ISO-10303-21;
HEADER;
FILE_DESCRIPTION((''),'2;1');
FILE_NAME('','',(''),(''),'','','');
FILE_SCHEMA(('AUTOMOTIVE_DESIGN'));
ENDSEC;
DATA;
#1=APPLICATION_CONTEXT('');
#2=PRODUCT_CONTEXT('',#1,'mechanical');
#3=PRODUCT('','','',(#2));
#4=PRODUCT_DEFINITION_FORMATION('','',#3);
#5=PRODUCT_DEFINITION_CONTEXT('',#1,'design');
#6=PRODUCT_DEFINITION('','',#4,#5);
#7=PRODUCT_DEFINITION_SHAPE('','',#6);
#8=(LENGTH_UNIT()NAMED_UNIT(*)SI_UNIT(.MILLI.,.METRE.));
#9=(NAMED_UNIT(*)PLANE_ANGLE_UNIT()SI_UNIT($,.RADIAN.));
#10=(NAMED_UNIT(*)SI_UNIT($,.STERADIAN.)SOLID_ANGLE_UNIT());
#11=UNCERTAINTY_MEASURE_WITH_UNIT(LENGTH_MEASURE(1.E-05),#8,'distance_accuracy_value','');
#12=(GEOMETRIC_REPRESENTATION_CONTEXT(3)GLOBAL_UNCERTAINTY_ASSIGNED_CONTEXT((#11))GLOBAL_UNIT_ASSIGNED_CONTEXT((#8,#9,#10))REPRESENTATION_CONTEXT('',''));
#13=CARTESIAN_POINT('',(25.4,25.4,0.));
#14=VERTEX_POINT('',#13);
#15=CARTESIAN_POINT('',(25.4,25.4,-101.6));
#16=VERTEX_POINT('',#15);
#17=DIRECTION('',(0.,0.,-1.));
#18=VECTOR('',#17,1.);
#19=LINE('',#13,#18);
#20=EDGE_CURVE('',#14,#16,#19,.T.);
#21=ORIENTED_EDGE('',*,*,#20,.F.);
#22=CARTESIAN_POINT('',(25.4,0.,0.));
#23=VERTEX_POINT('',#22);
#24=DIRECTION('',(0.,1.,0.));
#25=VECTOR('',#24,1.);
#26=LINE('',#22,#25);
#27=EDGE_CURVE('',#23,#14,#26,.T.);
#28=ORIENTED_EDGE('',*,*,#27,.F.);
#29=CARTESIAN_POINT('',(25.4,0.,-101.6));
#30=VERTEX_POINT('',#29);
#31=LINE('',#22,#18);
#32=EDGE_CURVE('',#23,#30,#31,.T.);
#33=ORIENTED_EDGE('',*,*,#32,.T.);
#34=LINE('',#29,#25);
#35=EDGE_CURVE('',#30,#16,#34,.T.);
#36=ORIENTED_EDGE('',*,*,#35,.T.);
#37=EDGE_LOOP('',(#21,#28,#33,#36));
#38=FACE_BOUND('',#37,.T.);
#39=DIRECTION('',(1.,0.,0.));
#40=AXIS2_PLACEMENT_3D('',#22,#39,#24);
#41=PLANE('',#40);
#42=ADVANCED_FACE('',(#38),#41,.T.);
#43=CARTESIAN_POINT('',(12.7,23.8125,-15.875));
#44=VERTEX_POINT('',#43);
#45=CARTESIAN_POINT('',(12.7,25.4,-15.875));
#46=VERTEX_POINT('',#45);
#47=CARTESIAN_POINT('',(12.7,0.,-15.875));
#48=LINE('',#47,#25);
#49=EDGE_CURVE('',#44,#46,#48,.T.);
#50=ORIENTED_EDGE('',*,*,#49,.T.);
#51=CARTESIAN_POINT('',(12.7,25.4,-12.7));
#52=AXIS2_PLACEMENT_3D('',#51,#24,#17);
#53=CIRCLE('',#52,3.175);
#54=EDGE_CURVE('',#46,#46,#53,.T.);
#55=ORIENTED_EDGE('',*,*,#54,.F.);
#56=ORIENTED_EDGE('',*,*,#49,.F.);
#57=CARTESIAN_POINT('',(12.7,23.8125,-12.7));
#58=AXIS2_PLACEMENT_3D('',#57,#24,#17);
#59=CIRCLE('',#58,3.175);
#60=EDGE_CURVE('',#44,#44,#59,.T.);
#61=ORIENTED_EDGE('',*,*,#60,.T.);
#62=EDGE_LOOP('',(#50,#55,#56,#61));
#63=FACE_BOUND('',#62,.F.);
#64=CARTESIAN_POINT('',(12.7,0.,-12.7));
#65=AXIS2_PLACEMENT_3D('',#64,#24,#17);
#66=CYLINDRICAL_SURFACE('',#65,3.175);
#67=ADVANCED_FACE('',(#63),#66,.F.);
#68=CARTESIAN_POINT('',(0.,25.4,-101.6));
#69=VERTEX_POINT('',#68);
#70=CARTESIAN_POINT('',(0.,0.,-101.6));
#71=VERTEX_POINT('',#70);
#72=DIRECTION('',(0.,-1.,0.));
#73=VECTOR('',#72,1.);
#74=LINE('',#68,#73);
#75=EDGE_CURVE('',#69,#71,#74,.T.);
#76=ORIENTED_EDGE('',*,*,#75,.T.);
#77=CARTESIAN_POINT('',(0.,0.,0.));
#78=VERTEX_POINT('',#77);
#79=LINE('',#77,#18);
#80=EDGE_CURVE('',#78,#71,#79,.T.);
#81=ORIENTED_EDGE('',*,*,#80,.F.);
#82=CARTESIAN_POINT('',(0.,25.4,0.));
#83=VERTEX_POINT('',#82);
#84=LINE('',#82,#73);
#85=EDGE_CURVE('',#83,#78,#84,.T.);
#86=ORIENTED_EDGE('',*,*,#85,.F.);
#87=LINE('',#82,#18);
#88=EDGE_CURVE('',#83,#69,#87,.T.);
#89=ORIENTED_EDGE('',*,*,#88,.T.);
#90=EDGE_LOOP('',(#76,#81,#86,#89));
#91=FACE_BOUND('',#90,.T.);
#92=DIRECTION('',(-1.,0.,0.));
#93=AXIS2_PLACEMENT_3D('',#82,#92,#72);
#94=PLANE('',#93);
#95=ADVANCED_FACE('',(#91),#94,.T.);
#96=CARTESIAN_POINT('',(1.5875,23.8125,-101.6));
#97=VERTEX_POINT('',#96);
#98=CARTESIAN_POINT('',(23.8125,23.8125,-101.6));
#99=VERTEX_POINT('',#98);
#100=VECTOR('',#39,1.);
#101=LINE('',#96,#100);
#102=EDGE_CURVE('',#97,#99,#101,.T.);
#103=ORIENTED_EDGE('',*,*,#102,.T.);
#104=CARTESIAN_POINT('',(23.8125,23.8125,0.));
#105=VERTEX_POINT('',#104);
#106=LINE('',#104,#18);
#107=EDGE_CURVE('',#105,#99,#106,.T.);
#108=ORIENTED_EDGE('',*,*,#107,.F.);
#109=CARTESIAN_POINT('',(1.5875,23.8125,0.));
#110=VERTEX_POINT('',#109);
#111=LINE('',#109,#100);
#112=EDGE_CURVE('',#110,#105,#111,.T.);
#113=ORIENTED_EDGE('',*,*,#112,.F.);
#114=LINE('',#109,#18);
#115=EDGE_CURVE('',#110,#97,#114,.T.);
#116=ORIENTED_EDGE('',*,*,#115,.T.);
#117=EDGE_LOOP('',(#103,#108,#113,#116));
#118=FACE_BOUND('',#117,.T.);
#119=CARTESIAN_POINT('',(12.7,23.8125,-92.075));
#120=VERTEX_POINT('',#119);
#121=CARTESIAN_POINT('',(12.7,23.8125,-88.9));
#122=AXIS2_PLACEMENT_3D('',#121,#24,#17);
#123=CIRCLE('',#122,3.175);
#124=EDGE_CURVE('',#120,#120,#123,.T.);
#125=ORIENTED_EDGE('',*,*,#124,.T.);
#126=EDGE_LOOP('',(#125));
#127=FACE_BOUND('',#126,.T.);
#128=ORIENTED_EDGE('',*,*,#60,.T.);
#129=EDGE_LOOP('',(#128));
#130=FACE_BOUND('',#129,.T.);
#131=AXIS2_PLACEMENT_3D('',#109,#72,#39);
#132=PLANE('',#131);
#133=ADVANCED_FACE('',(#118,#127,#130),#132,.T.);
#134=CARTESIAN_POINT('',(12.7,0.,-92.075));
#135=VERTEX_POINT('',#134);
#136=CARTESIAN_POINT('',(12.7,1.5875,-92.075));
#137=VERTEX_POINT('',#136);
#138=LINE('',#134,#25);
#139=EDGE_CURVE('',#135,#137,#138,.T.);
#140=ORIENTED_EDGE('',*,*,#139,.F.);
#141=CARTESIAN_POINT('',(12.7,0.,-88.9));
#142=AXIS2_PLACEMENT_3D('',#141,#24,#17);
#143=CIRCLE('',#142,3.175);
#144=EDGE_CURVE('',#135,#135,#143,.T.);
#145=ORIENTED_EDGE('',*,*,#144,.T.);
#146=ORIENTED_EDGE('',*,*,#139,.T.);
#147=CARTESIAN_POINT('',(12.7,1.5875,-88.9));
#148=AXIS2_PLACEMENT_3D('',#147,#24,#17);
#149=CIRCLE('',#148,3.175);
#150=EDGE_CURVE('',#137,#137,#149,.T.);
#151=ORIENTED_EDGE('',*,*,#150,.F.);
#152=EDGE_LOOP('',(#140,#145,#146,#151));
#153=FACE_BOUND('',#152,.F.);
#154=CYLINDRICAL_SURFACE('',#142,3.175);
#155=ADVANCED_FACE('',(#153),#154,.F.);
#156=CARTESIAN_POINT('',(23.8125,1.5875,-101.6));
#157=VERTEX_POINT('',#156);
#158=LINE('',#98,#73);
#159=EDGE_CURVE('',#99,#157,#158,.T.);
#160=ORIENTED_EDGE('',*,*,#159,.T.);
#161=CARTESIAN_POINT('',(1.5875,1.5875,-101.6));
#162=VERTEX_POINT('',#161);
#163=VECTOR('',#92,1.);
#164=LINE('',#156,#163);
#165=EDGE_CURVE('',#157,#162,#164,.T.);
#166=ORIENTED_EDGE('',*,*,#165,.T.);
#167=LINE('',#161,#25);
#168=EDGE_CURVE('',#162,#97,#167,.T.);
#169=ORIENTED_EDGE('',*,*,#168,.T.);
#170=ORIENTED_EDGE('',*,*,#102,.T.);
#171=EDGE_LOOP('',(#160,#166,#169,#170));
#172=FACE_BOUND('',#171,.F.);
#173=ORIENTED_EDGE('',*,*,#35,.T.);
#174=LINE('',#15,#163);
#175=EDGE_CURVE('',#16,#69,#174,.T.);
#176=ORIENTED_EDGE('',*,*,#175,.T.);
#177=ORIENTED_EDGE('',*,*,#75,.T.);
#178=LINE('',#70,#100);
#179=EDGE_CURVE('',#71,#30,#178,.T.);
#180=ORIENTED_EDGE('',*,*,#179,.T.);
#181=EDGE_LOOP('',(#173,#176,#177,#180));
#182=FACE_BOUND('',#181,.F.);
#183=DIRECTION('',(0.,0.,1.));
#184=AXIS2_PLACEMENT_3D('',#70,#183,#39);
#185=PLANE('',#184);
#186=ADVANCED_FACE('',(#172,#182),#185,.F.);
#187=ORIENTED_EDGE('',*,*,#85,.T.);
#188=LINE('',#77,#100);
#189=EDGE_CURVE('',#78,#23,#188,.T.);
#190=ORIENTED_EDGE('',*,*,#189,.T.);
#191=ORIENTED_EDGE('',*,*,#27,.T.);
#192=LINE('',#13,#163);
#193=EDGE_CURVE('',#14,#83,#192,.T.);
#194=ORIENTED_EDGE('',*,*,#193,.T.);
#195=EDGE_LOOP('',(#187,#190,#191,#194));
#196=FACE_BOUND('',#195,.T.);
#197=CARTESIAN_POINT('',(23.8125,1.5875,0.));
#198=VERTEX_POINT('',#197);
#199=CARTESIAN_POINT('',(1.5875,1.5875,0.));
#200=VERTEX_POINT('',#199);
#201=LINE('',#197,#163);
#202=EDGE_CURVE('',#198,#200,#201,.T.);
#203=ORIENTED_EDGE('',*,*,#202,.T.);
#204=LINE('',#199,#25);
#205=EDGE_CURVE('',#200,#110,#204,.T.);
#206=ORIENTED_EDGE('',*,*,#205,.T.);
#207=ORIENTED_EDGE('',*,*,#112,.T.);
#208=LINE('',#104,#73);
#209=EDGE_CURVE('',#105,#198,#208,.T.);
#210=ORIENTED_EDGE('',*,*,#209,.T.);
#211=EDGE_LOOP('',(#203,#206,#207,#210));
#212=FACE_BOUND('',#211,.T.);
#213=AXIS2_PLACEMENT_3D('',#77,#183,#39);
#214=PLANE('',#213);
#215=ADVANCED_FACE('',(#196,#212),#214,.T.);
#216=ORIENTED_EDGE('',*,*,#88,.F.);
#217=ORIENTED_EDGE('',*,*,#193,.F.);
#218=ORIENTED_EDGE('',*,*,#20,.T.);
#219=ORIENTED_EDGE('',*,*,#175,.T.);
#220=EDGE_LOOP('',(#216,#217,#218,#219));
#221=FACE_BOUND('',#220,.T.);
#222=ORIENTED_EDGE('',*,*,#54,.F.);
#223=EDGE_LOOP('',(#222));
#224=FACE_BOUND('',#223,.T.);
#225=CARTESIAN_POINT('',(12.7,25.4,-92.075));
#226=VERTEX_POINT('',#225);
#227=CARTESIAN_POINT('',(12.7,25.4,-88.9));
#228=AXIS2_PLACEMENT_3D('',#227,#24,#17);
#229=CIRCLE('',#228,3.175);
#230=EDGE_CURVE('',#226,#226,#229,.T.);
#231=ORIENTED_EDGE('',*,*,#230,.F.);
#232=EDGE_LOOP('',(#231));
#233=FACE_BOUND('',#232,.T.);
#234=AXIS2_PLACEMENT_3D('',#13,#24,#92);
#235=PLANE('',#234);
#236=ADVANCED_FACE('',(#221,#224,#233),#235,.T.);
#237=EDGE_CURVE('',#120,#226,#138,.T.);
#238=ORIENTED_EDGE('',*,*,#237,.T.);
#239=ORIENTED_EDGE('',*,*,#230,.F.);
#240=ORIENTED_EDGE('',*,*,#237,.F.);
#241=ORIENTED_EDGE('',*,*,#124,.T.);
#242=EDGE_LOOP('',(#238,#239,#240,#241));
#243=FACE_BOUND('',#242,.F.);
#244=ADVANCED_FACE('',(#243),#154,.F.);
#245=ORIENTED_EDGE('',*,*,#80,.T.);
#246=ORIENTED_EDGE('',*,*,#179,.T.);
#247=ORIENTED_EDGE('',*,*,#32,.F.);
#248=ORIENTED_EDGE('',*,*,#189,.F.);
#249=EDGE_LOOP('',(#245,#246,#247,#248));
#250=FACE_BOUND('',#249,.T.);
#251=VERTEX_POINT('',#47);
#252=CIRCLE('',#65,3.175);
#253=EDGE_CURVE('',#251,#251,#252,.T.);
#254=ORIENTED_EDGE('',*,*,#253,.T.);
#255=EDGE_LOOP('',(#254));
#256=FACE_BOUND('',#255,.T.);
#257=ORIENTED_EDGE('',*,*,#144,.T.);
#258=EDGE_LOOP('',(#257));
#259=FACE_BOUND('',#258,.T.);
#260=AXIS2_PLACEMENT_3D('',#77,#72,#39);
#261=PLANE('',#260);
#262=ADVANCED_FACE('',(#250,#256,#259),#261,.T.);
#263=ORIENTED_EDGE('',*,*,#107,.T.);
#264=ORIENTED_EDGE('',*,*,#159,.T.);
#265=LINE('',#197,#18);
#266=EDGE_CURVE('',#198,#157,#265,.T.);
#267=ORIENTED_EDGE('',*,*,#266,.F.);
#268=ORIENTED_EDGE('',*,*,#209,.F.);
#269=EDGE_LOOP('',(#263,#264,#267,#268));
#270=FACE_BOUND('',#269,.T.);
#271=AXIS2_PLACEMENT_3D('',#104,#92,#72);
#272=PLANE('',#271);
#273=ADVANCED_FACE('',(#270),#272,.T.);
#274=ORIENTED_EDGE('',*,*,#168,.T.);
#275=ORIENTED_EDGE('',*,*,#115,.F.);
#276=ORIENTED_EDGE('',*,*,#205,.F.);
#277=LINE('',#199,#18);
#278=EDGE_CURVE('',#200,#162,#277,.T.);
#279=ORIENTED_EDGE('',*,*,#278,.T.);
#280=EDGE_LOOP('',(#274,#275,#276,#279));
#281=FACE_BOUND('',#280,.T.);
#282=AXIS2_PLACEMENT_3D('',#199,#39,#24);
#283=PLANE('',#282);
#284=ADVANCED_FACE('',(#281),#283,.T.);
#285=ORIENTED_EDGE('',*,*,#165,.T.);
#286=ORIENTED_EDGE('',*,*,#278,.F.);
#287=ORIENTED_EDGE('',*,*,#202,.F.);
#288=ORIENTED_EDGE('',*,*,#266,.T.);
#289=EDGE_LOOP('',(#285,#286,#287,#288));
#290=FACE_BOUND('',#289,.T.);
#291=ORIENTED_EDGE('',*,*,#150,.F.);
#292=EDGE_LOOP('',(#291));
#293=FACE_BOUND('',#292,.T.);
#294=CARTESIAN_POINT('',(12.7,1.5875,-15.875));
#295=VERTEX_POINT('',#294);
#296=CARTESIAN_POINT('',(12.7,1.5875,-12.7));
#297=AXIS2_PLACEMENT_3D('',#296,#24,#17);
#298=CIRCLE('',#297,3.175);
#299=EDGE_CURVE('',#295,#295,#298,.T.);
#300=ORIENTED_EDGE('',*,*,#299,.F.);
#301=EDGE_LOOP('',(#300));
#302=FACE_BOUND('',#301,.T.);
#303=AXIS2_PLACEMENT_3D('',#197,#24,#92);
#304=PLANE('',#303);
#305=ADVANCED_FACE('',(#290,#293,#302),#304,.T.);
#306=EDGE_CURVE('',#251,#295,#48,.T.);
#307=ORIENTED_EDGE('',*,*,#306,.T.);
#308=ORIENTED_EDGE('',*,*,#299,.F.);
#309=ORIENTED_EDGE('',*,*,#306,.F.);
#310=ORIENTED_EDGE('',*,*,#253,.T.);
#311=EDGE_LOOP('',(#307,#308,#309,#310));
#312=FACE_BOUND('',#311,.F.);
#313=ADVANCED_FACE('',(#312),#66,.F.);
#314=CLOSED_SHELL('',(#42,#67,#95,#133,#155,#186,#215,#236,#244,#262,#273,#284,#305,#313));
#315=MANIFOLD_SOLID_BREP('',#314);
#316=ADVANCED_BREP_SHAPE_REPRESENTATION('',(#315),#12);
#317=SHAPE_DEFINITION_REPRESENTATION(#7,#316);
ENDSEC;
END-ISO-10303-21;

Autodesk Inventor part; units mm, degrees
ref_plane "YZ Plane" through (0, 0, 0) normal (1, 0, 0) x (0, 1, 0)
ref_plane "XZ Plane" through (0, 0, 0) normal (0, 1, 0) x (-1, 0, 0)
ref_plane "XY Plane" through (0, 0, 0) normal (0, 0, 1) x (1, 0, 0)
sketch "Sketch1" plane through (0, 0, 0) normal (0, 0, 1) x (1, 0, 0)
  line L0 (0, 0) -> (25.4, 0)
  line L1 (25.4, 0) -> (25.4, 25.4)
  line L2 (25.4, 25.4) -> (0, 25.4)
  line L3 (0, 25.4) -> (0, 0)
  line L4 (1.5875, 23.8125) -> (23.8125, 23.8125)
  line L5 (23.8125, 23.8125) -> (23.8125, 1.5875)
  line L6 (23.8125, 1.5875) -> (1.5875, 1.5875)
  line L7 (1.5875, 1.5875) -> (1.5875, 23.8125)
  dimension "d0" = 25.4
  dimension "d1" = 25.4
  dimension "d2" = 1.5875
extrude "Extrusion1" add sketch "Sketch1" against normal blind 101.6
sketch "Sketch3" plane through (0, 0, 0) normal (0, -1, 0) x (1, 0, 0)
  line L0 (0, -101.6) -> (25.4, -101.6) projected
  line L1 (0, 0) -> (25.4, 0) projected
  point P0 (12.7, -12.7)
  point P1 (12.7, -88.9)
  dimension "d7" = 12.7
  dimension "d8" = 12.7
hole "Hole2" at (12.7, 0, -12.7) at (12.7, 0, -88.9) direction (0, 1, 0) diameter 6.35 depth 25.4 tip angle 118
properties part number "tube_l_b_out"
